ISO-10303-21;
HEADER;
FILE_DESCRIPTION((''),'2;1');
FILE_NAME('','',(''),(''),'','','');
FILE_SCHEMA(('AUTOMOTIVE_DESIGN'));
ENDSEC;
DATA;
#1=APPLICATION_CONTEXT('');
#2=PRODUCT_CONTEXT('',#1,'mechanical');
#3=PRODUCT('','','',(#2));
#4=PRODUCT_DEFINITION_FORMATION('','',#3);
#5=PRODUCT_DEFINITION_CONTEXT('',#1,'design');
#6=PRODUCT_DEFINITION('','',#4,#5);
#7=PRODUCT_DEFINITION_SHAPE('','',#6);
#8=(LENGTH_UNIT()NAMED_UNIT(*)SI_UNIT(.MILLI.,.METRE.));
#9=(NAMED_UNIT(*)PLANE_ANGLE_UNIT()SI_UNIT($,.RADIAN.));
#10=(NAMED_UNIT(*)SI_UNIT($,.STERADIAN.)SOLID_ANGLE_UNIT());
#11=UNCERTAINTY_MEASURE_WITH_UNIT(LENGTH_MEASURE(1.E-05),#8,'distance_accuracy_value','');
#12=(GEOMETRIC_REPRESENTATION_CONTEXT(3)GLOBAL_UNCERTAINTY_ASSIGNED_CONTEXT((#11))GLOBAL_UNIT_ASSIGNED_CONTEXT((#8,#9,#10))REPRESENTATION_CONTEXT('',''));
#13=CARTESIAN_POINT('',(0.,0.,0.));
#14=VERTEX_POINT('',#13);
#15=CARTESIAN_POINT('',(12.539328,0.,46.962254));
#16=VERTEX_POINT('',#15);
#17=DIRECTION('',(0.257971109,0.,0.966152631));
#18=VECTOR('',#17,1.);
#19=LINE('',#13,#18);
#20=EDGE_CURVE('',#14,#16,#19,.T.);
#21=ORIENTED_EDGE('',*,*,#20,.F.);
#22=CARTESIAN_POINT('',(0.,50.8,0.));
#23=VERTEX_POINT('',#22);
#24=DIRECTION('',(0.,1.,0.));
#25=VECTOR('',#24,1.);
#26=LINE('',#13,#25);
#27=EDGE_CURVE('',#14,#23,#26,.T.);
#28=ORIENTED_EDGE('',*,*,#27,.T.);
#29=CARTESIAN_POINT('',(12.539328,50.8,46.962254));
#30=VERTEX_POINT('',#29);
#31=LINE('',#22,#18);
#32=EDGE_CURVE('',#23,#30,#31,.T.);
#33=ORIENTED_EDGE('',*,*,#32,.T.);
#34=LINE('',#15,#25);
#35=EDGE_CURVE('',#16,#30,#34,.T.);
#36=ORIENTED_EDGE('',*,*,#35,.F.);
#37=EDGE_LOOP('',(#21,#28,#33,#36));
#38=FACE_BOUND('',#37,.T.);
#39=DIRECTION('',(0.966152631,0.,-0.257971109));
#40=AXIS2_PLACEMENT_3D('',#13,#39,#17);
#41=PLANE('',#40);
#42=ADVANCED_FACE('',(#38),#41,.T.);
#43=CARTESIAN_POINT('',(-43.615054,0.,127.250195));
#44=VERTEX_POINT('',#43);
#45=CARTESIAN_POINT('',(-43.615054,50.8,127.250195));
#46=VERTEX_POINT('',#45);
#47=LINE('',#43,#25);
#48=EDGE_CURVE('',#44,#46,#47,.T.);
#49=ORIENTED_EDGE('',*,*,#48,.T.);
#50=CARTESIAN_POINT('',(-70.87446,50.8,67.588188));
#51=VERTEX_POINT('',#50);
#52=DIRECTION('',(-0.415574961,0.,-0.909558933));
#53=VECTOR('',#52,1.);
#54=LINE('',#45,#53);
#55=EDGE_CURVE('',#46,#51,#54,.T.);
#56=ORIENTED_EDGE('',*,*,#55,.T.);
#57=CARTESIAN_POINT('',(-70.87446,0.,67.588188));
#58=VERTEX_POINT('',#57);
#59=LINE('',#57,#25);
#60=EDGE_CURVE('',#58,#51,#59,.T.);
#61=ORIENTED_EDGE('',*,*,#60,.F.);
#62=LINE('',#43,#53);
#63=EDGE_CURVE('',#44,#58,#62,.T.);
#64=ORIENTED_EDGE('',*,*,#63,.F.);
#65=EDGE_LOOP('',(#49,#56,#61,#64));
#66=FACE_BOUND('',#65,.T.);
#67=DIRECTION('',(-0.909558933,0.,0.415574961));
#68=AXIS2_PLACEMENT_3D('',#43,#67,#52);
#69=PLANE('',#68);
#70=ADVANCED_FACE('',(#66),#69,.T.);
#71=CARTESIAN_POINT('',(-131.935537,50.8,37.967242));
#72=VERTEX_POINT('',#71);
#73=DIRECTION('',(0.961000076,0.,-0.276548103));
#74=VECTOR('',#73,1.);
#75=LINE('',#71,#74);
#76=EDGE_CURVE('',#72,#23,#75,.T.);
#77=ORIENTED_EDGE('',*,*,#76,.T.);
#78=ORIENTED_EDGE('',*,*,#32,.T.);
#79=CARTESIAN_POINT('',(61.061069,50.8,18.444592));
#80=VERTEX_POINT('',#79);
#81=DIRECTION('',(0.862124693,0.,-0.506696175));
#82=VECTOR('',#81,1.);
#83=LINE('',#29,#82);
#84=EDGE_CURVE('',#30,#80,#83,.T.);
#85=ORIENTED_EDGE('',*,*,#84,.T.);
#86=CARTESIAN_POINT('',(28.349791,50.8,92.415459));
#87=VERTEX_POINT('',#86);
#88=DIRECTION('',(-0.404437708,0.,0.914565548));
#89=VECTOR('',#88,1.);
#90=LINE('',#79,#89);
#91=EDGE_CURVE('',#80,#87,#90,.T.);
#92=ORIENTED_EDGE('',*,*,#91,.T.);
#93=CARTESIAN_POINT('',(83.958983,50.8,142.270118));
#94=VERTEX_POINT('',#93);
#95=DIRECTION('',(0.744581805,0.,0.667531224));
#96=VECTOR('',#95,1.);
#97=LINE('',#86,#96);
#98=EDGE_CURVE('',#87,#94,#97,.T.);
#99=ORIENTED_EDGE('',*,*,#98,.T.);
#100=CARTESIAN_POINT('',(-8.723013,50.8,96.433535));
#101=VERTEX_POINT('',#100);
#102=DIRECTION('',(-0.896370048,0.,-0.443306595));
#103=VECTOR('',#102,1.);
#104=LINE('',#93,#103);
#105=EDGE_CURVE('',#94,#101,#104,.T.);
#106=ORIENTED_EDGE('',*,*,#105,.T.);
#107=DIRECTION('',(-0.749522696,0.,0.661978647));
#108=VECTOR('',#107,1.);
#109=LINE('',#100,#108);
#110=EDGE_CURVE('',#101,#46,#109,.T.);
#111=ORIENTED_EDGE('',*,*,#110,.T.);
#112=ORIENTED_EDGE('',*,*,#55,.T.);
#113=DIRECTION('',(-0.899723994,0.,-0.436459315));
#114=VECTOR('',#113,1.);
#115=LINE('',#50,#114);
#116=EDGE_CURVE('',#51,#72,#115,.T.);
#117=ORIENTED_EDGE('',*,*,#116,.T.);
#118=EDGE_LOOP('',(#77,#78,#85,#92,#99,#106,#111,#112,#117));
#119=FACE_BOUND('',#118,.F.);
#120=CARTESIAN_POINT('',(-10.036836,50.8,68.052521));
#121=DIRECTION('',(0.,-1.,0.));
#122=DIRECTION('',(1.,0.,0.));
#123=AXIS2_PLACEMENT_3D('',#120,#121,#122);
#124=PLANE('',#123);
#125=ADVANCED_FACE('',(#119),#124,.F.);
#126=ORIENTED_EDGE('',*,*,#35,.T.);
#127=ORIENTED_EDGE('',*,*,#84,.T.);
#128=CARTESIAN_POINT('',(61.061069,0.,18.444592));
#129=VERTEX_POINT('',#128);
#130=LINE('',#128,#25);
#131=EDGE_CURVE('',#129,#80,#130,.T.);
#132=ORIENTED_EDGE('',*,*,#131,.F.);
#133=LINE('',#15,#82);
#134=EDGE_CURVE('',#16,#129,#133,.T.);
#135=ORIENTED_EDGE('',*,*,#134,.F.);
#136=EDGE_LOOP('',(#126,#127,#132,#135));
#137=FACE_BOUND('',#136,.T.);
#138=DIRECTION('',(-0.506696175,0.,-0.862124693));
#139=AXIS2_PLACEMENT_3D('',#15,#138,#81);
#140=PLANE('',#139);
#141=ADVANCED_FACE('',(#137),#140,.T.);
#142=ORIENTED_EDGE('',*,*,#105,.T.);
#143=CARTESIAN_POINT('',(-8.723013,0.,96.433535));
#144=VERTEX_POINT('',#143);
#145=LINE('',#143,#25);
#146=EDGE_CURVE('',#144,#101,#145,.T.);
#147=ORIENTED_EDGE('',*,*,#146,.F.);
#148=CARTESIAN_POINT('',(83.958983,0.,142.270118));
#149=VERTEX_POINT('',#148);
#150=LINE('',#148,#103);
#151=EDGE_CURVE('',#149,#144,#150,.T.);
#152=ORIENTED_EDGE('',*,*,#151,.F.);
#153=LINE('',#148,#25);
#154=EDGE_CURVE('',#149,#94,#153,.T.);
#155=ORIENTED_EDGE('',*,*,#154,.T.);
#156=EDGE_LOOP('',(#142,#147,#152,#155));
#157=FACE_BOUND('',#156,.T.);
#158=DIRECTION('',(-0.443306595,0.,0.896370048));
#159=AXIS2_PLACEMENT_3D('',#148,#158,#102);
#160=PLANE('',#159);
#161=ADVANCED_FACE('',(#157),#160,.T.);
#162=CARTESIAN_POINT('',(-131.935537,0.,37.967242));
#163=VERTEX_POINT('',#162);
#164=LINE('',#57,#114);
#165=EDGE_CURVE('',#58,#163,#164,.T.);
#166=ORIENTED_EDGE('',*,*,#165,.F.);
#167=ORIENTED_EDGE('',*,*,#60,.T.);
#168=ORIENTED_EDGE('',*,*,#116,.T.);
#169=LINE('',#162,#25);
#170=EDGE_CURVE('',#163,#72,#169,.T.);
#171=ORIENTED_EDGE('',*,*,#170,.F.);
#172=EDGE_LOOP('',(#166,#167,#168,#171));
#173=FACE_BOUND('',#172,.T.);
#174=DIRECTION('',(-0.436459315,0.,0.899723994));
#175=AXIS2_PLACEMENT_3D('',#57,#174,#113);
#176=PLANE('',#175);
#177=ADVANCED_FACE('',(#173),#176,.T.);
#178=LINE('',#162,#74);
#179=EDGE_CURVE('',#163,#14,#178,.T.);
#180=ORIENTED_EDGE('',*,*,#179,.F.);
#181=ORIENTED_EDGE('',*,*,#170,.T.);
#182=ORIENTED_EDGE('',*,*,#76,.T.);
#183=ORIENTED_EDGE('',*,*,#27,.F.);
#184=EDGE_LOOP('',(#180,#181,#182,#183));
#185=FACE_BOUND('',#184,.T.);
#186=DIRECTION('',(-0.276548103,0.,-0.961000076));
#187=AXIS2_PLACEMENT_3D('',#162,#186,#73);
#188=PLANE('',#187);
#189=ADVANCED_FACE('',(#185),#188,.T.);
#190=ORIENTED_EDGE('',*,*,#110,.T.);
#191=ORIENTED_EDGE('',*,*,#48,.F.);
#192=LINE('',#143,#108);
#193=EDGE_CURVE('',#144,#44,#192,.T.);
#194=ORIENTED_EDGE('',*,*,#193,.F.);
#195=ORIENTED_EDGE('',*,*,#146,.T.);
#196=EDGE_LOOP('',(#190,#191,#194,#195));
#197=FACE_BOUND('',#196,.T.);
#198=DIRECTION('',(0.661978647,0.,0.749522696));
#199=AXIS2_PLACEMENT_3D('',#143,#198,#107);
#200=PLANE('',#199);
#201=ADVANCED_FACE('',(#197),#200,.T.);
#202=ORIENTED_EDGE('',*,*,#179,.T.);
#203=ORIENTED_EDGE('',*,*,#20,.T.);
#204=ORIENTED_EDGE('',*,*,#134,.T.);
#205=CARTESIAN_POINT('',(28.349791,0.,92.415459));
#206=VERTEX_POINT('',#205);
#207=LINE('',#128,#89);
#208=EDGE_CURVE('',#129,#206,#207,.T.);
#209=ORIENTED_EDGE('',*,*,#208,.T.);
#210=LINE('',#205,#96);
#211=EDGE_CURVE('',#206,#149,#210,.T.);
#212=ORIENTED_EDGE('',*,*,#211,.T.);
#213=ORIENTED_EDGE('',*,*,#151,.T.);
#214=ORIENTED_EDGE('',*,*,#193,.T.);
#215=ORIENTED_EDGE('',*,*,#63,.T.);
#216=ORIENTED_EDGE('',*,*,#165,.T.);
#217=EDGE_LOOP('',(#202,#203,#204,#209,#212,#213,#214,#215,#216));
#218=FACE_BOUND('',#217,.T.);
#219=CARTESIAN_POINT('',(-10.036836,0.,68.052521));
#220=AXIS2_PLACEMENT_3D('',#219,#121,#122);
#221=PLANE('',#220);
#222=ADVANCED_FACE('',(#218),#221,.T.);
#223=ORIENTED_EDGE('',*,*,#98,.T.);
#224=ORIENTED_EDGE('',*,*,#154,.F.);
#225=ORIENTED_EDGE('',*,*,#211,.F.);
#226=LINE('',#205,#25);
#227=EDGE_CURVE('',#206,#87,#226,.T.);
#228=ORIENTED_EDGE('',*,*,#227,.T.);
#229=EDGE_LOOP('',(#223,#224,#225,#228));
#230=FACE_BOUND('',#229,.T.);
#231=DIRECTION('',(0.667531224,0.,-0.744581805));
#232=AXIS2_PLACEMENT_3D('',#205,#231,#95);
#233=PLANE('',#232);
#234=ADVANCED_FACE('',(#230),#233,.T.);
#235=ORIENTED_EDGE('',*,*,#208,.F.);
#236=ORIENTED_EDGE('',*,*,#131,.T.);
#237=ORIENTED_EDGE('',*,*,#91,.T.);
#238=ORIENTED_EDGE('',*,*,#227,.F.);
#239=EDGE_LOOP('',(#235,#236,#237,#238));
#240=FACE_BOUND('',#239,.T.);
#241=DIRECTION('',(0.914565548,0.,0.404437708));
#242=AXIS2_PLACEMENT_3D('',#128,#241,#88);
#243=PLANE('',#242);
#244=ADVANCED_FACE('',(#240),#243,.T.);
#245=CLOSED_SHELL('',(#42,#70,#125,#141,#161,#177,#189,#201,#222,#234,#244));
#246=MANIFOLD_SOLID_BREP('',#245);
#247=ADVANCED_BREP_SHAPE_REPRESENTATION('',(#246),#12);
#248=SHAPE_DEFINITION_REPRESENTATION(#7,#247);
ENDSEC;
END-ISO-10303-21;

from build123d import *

# Parameters (mm, degrees)
F1_DEPTH = 50.8


with BuildPart() as f1:
    # F0 (on Front) → F1 (new body)
    with BuildSketch(Plane.XZ):
        Polygon((-131.935537, 37.967242), (0, 0), (12.539328, 46.962254), (61.061069, 18.444592), (28.349791, 92.415459), (83.958983, 142.270118), (-8.723013, 96.433535), (-43.615054, 127.250195), (-70.87446, 67.588188), align=None)
    extrude(amount=-F1_DEPTH)


solid = f1.part
